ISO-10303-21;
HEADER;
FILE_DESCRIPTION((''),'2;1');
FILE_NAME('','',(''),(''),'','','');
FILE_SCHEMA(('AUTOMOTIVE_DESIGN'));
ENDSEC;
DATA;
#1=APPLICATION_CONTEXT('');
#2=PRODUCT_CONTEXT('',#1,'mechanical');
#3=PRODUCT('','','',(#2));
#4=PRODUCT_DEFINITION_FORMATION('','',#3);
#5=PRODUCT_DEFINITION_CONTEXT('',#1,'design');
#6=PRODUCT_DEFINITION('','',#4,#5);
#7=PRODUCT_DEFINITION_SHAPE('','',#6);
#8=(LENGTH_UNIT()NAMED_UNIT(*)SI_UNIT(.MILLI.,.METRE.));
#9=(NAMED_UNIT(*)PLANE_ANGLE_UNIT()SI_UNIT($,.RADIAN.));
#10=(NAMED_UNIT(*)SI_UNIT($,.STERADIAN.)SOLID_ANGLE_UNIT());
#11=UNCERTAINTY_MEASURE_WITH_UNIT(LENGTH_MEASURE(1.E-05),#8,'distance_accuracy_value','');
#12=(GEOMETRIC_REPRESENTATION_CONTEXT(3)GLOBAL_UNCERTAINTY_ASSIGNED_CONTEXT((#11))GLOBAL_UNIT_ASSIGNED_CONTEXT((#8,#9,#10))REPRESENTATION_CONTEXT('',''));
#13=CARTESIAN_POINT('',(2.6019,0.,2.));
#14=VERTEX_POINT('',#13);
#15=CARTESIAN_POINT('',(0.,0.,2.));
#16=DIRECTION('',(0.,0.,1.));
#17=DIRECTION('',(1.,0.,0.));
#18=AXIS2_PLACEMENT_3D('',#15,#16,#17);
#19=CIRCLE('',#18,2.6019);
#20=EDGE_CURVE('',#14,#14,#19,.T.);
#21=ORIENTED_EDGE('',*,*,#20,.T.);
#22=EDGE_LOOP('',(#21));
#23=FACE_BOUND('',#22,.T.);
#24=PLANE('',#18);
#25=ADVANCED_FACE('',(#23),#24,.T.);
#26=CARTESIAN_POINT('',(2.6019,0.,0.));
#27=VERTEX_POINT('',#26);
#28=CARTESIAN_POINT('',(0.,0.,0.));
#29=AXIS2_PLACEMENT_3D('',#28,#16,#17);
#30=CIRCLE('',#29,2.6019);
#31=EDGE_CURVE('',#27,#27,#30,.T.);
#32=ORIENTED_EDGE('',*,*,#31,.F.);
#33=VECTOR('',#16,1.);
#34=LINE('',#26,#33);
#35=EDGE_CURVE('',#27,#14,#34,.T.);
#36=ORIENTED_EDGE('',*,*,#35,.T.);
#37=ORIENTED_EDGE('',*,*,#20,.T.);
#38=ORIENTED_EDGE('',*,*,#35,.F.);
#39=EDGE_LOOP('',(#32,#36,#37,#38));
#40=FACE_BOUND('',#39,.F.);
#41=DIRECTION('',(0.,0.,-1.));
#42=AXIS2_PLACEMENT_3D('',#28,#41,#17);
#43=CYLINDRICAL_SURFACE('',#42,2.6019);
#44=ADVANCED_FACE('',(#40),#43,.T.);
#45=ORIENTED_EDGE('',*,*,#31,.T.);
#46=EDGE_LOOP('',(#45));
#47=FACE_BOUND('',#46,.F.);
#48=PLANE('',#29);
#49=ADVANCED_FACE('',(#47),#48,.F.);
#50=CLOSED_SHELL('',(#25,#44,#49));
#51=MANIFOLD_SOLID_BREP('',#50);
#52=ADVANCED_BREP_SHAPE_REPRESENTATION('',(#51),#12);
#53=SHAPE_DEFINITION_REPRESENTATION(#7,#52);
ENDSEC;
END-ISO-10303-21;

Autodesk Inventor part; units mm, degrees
ref_plane "YZ Plane" through (0, 0, 0) normal (1, 0, 0) x (0, 1, 0)
ref_plane "XZ Plane" through (0, 0, 0) normal (0, 1, 0) x (-1, 0, 0)
ref_plane "XY Plane" through (0, 0, 0) normal (0, 0, 1) x (1, 0, 0)
sketch "Sketch1" plane through (0, 0, 0) normal (0, 0, 1) x (1, 0, 0)
  arc A0 (-2.66, 28.9502) -> (-6.8568, 25.0691) centre (-1.7554, 23.7624) ccw projected
  ellipse E0 centre (-11.6202, 25.5) end of major axis (-16.3836, 25.9309) minor radius 4.1297 (-6.983, 24.3981) -> (-6.8568, 25.0691) ccw projected
  arc A1 (-6.8568, 25.0691) -> (-6.983, 24.3981) centre (-1.7554, 23.7624) ccw projected
  ellipse E1 centre (-11.6202, 25.5) end of major axis (-6.8568, 25.0691) minor radius 4.1297 (-6.8568, 25.0691) -> (-9.0924, 28.9502) ccw projected
  line L0 (-2.66, 28.9502) -> (-9.0924, 28.9502) projected
  arc A2 (-61.3309, 28.9502) -> (-62.6675, 26.9113) centre (-44.0465, 16.1615) ccw projected
  spline S0 degree 3 poles (-58.653, 25.192) (-58.6606, 25.1631) (-58.6686, 25.1343) (-58.7991, 24.6877) (-59.003, 24.2939) (-59.4852, 23.6838) (-59.7387, 23.4471) (-60.2828, 23.092) (-60.5675, 22.9639) (-61.1231, 22.8345) (-61.3904, 22.8182) (-61.8134, 22.8805) (-61.973, 22.9257) (-62.1234, 22.9922) (-62.4076, 23.1178) (-62.656, 23.3208) (-62.9477, 23.7101) (-63.0339, 23.8647) (-63.2588, 24.4075) (-63.3118, 24.8274) (-63.242, 25.7644) (-63.0671, 26.2783) (-62.751, 26.7899) (-62.7103, 26.8512) (-62.6675, 26.9113) knots -2.04297 -2.04297 -2.04297 -2.04297 -2.033998 -2.033998 -1.903383 -1.903383 -1.8007 -1.8007 -1.70847 -1.70847 -1.629539 -1.629539 -1.580207 -1.580207 -1.580207 -1.486994 -1.486994 -1.434286 -1.434286 -1.31073 -1.31073 -1.152429 -1.152429 -1.130329 -1.130329 -1.130329 -1.130329 projected
  arc A3 (-55.7904, 28.9502) -> (-58.653, 25.192) centre (-50.9143, 22.2669) ccw projected
  line L1 (-50.5459, 28.9502) -> (-55.7904, 28.9502) projected
  arc A4 (-50.5459, 28.9502) -> (-46.1154, 25.1531) centre (-37.1131, 40.1401) ccw projected
  arc A5 (-46.1154, 25.1531) -> (-55.0724, 17.1262) centre (-42.6959, 12.3264) ccw projected
  arc A6 (-55.0724, 17.1262) -> (-56.9124, 0.0781) centre (-27.25, 5.5) ccw projected
  arc A7 (-56.9124, 0.0781) -> (-63.9254, -11.1644) centre (-45.9, -14.6) ccw projected
  arc A8 (-63.9254, -11.1644) -> (-50.5956, -15.4346) centre (-53, 0) ccw projected
  arc A9 (-50.5956, -15.4346) -> (-5.024, -24.0976) centre (-22.4792, 8.2756) ccw projected
  arc A10 (-5.024, -24.0976) -> (8.0763, -24.7873) centre (2.3257, -9.2566) ccw projected
  arc A11 (8.0763, -24.7873) -> (5.2801, -14.6676) centre (-6.5408, -23.3801) ccw projected
  arc A12 (5.2801, -14.6676) -> (7.9552, -1.1219) centre (-13.9278, -3.8373) ccw projected
  arc A13 (7.9552, -1.1219) -> (1.4312, 20.9259) centre (-1.7554, 7.9938) ccw projected
  arc A14 (1.4312, 20.9259) -> (-0.9419, 27.9502) centre (-1.7554, 23.7624) ccw projected
  line L2 (-0.9419, 27.9502) -> (0.4374, 27.9502) projected
  arc A15 (1.4374, 28.9502) -> (0.4374, 27.9502) centre (1.4374, 27.9502) ccw projected
  line L3 (68.6006, 28.9502) -> (1.4374, 28.9502) projected
  line L4 (68.6006, 36.9518) -> (68.6006, 28.9502) projected
  line L5 (-63.1756, 36.9518) -> (68.6006, 36.9518) projected
  arc A16 (-65.1756, 38.9518) -> (-63.1756, 36.9518) centre (-63.1756, 38.9518) ccw projected
  line L6 (-65.1756, 131.9502) -> (-65.1756, 38.9518) projected
  arc A17 (-63.1756, 133.9502) -> (-65.1756, 131.9502) centre (-63.1756, 131.9502) ccw projected
  line L7 (68.6006, 133.9502) -> (-63.1756, 133.9502) projected
  line L8 (68.6006, 141.9502) -> (68.6006, 133.9502) projected
  line L9 (-68.6006, 141.9502) -> (68.6006, 141.9502) projected
  arc A18 (-68.6006, 141.9502) -> (-72.6006, 137.9502) centre (-68.6006, 137.9502) ccw projected
  line L10 (-72.6006, 32.9502) -> (-72.6006, 137.9502) projected
  arc A19 (-72.6006, 32.9502) -> (-68.6006, 28.9502) centre (-68.6006, 32.9502) ccw projected
  line L11 (-61.3309, 28.9502) -> (-68.6006, 28.9502) projected
  ellipse E2 centre (-12.4142, 25.5) end of major axis (-16.852, 25.5) minor radius 3.9921 projected
  ellipse E3 centre (-29, 6.4502) end of major axis (-32, 6.4502) minor radius 2.4928 projected
  arc A20 (-56.1817, -1.6982) -> (-51.5706, -13.5582) centre (83.9158, 45.9447) ccw projected
  arc A21 (-61.7014, -10.3098) -> (-51.5706, -13.5582) centre (-51.0305, 5.5476) ccw projected
  arc A22 (-56.1817, -1.6982) -> (-61.7014, -10.3098) centre (-43.1644, -16.1163) ccw projected
  arc A23 (-7.3959, 3.4823) -> (-9, 2.4502) centre (-7.6242, 2.0744) ccw projected
  arc A24 (-9, 2.4502) -> (-10.9261, 4.4246) centre (-12, 1.4502) ccw projected
  ellipse E4 centre (-9.1559, 4.4502) end of major axis (-9.1559, 13.4502) minor radius 1.7702 (-7.3959, 3.4823) -> (-10.9261, 4.4246) ccw projected
  circle A25 centre (0, 0) radius 2.7388 projected
  circle A26 centre (-22, 1.4502) radius 2.8284 projected
  arc A27 (-0.8225, -23.5484) -> (5.4696, -17.745) centre (-15.1533, -1.6982) ccw projected
  arc A28 (5.9278, -23.467) -> (5.4696, -17.745) centre (-12.2658, -22.0444) ccw projected
  arc A29 (-0.8225, -23.5484) -> (5.9278, -23.467) centre (2.3663, -8.0668) ccw projected
  ellipse E5 centre (-1.7554, 24.0133) end of major axis (2.2633, 23.7374) minor radius 3.5714 projected
  ellipse E6 centre (6.4561, 3.1917) end of major axis (3.9246, 3.1917) minor radius 2.1289 projected
  circle A30 centre (0, 0) radius 2.6019
extrude "Extrusion1" add sketch "Sketch1" along normal blind 2 contours A30
properties part number "LeftEyePeach"
